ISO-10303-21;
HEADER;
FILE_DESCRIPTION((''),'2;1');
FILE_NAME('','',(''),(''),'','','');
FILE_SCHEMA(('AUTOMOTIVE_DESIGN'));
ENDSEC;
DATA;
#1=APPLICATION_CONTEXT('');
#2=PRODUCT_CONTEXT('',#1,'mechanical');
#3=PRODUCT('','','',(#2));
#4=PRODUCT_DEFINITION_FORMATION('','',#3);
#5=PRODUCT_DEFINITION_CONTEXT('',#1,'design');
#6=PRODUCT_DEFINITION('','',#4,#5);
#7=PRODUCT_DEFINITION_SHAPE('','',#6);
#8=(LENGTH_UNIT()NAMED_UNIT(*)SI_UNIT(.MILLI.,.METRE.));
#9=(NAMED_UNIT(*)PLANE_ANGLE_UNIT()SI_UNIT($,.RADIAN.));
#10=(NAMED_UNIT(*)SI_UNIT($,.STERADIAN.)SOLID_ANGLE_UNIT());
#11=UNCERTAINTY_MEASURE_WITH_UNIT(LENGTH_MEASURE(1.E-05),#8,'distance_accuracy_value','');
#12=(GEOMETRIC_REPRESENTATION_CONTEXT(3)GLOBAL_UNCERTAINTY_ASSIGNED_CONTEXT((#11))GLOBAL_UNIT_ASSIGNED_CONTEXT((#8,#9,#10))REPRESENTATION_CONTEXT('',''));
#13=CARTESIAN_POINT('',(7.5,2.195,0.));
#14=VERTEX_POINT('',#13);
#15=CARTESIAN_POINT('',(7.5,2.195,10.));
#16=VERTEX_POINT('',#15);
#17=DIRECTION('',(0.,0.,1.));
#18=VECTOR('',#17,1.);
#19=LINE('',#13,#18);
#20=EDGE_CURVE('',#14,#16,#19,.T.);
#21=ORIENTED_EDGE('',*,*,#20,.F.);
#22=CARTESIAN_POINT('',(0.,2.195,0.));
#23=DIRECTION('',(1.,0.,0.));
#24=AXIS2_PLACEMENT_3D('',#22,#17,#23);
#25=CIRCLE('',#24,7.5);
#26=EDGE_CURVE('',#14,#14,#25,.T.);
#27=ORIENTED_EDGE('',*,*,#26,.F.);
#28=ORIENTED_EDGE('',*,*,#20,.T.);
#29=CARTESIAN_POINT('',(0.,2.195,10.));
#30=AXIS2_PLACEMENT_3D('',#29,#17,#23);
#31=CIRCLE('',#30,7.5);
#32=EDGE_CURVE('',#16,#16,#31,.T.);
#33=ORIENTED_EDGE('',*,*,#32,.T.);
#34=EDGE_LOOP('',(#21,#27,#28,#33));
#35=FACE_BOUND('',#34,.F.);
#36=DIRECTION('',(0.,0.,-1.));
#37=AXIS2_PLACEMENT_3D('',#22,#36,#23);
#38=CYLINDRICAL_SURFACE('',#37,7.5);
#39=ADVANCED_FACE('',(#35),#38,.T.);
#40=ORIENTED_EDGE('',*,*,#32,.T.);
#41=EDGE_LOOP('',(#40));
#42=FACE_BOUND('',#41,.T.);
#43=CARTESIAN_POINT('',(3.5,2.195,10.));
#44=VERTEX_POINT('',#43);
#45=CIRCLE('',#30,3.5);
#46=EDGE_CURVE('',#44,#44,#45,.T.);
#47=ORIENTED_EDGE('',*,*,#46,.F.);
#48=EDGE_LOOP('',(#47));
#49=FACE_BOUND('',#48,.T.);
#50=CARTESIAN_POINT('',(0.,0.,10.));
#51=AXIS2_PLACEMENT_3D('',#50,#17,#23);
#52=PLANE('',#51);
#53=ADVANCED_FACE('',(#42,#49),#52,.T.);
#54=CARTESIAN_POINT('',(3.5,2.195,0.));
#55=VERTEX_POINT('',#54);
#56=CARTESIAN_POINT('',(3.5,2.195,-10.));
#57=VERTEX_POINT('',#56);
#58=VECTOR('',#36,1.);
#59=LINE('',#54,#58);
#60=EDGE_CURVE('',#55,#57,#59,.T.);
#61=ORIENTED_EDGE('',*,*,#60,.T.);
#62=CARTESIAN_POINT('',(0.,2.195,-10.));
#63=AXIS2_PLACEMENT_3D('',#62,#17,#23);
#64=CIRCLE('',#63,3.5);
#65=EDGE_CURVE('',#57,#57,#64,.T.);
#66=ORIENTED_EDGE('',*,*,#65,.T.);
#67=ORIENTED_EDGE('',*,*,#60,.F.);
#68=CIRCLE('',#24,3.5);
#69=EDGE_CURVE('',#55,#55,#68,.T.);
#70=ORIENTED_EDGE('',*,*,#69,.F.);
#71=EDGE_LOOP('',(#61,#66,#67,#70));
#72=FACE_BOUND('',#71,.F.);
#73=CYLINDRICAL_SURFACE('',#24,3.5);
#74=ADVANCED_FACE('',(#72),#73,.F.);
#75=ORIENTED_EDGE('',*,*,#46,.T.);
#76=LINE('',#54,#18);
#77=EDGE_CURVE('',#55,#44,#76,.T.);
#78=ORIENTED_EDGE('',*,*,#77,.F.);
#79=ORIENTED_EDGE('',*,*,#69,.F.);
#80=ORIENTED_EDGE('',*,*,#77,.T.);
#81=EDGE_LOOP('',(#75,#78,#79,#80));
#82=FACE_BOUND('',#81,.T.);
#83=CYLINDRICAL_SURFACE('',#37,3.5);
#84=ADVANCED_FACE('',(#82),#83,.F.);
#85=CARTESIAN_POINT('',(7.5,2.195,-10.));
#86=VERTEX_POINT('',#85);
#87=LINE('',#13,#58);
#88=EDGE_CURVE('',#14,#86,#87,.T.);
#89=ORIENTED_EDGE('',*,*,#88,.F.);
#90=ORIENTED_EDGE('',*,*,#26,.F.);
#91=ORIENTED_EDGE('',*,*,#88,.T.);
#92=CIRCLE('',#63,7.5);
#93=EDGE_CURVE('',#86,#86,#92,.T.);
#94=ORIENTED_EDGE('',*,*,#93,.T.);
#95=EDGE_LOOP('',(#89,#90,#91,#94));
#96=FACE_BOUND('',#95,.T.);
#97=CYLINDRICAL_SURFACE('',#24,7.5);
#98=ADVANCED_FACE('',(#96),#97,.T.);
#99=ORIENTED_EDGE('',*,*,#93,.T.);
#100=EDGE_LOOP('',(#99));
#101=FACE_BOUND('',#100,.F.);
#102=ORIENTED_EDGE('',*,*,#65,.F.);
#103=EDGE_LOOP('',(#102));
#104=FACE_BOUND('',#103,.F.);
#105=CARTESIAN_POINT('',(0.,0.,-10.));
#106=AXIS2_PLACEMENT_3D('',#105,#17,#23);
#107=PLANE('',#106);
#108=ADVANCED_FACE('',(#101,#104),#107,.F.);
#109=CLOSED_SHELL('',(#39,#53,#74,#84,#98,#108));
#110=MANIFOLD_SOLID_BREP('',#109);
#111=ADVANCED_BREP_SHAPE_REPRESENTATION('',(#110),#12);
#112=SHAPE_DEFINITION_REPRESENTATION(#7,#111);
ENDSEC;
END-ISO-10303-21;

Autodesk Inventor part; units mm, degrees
ref_plane "YZ Plane" through (0, 0, 0) normal (1, 0, 0) x (0, 1, 0)
ref_plane "XZ Plane" through (0, 0, 0) normal (0, 1, 0) x (-1, 0, 0)
ref_plane "XY Plane" through (0, 0, 0) normal (0, 0, 1) x (1, 0, 0)
sketch "Sketch1" plane through (0, 0, 0) normal (0, 0, 1) x (1, 0, 0)
  circle A0 centre (0, 2.195) radius 7.5 projected
  circle A1 centre (0, 2.195) radius 3.5
  point P0 (0, 0)
  dimension "d2" = 4
extrude "Extrusion1" add sketch "Sketch1" along normal mid plane 20
properties part number "cuscinetto_X"
